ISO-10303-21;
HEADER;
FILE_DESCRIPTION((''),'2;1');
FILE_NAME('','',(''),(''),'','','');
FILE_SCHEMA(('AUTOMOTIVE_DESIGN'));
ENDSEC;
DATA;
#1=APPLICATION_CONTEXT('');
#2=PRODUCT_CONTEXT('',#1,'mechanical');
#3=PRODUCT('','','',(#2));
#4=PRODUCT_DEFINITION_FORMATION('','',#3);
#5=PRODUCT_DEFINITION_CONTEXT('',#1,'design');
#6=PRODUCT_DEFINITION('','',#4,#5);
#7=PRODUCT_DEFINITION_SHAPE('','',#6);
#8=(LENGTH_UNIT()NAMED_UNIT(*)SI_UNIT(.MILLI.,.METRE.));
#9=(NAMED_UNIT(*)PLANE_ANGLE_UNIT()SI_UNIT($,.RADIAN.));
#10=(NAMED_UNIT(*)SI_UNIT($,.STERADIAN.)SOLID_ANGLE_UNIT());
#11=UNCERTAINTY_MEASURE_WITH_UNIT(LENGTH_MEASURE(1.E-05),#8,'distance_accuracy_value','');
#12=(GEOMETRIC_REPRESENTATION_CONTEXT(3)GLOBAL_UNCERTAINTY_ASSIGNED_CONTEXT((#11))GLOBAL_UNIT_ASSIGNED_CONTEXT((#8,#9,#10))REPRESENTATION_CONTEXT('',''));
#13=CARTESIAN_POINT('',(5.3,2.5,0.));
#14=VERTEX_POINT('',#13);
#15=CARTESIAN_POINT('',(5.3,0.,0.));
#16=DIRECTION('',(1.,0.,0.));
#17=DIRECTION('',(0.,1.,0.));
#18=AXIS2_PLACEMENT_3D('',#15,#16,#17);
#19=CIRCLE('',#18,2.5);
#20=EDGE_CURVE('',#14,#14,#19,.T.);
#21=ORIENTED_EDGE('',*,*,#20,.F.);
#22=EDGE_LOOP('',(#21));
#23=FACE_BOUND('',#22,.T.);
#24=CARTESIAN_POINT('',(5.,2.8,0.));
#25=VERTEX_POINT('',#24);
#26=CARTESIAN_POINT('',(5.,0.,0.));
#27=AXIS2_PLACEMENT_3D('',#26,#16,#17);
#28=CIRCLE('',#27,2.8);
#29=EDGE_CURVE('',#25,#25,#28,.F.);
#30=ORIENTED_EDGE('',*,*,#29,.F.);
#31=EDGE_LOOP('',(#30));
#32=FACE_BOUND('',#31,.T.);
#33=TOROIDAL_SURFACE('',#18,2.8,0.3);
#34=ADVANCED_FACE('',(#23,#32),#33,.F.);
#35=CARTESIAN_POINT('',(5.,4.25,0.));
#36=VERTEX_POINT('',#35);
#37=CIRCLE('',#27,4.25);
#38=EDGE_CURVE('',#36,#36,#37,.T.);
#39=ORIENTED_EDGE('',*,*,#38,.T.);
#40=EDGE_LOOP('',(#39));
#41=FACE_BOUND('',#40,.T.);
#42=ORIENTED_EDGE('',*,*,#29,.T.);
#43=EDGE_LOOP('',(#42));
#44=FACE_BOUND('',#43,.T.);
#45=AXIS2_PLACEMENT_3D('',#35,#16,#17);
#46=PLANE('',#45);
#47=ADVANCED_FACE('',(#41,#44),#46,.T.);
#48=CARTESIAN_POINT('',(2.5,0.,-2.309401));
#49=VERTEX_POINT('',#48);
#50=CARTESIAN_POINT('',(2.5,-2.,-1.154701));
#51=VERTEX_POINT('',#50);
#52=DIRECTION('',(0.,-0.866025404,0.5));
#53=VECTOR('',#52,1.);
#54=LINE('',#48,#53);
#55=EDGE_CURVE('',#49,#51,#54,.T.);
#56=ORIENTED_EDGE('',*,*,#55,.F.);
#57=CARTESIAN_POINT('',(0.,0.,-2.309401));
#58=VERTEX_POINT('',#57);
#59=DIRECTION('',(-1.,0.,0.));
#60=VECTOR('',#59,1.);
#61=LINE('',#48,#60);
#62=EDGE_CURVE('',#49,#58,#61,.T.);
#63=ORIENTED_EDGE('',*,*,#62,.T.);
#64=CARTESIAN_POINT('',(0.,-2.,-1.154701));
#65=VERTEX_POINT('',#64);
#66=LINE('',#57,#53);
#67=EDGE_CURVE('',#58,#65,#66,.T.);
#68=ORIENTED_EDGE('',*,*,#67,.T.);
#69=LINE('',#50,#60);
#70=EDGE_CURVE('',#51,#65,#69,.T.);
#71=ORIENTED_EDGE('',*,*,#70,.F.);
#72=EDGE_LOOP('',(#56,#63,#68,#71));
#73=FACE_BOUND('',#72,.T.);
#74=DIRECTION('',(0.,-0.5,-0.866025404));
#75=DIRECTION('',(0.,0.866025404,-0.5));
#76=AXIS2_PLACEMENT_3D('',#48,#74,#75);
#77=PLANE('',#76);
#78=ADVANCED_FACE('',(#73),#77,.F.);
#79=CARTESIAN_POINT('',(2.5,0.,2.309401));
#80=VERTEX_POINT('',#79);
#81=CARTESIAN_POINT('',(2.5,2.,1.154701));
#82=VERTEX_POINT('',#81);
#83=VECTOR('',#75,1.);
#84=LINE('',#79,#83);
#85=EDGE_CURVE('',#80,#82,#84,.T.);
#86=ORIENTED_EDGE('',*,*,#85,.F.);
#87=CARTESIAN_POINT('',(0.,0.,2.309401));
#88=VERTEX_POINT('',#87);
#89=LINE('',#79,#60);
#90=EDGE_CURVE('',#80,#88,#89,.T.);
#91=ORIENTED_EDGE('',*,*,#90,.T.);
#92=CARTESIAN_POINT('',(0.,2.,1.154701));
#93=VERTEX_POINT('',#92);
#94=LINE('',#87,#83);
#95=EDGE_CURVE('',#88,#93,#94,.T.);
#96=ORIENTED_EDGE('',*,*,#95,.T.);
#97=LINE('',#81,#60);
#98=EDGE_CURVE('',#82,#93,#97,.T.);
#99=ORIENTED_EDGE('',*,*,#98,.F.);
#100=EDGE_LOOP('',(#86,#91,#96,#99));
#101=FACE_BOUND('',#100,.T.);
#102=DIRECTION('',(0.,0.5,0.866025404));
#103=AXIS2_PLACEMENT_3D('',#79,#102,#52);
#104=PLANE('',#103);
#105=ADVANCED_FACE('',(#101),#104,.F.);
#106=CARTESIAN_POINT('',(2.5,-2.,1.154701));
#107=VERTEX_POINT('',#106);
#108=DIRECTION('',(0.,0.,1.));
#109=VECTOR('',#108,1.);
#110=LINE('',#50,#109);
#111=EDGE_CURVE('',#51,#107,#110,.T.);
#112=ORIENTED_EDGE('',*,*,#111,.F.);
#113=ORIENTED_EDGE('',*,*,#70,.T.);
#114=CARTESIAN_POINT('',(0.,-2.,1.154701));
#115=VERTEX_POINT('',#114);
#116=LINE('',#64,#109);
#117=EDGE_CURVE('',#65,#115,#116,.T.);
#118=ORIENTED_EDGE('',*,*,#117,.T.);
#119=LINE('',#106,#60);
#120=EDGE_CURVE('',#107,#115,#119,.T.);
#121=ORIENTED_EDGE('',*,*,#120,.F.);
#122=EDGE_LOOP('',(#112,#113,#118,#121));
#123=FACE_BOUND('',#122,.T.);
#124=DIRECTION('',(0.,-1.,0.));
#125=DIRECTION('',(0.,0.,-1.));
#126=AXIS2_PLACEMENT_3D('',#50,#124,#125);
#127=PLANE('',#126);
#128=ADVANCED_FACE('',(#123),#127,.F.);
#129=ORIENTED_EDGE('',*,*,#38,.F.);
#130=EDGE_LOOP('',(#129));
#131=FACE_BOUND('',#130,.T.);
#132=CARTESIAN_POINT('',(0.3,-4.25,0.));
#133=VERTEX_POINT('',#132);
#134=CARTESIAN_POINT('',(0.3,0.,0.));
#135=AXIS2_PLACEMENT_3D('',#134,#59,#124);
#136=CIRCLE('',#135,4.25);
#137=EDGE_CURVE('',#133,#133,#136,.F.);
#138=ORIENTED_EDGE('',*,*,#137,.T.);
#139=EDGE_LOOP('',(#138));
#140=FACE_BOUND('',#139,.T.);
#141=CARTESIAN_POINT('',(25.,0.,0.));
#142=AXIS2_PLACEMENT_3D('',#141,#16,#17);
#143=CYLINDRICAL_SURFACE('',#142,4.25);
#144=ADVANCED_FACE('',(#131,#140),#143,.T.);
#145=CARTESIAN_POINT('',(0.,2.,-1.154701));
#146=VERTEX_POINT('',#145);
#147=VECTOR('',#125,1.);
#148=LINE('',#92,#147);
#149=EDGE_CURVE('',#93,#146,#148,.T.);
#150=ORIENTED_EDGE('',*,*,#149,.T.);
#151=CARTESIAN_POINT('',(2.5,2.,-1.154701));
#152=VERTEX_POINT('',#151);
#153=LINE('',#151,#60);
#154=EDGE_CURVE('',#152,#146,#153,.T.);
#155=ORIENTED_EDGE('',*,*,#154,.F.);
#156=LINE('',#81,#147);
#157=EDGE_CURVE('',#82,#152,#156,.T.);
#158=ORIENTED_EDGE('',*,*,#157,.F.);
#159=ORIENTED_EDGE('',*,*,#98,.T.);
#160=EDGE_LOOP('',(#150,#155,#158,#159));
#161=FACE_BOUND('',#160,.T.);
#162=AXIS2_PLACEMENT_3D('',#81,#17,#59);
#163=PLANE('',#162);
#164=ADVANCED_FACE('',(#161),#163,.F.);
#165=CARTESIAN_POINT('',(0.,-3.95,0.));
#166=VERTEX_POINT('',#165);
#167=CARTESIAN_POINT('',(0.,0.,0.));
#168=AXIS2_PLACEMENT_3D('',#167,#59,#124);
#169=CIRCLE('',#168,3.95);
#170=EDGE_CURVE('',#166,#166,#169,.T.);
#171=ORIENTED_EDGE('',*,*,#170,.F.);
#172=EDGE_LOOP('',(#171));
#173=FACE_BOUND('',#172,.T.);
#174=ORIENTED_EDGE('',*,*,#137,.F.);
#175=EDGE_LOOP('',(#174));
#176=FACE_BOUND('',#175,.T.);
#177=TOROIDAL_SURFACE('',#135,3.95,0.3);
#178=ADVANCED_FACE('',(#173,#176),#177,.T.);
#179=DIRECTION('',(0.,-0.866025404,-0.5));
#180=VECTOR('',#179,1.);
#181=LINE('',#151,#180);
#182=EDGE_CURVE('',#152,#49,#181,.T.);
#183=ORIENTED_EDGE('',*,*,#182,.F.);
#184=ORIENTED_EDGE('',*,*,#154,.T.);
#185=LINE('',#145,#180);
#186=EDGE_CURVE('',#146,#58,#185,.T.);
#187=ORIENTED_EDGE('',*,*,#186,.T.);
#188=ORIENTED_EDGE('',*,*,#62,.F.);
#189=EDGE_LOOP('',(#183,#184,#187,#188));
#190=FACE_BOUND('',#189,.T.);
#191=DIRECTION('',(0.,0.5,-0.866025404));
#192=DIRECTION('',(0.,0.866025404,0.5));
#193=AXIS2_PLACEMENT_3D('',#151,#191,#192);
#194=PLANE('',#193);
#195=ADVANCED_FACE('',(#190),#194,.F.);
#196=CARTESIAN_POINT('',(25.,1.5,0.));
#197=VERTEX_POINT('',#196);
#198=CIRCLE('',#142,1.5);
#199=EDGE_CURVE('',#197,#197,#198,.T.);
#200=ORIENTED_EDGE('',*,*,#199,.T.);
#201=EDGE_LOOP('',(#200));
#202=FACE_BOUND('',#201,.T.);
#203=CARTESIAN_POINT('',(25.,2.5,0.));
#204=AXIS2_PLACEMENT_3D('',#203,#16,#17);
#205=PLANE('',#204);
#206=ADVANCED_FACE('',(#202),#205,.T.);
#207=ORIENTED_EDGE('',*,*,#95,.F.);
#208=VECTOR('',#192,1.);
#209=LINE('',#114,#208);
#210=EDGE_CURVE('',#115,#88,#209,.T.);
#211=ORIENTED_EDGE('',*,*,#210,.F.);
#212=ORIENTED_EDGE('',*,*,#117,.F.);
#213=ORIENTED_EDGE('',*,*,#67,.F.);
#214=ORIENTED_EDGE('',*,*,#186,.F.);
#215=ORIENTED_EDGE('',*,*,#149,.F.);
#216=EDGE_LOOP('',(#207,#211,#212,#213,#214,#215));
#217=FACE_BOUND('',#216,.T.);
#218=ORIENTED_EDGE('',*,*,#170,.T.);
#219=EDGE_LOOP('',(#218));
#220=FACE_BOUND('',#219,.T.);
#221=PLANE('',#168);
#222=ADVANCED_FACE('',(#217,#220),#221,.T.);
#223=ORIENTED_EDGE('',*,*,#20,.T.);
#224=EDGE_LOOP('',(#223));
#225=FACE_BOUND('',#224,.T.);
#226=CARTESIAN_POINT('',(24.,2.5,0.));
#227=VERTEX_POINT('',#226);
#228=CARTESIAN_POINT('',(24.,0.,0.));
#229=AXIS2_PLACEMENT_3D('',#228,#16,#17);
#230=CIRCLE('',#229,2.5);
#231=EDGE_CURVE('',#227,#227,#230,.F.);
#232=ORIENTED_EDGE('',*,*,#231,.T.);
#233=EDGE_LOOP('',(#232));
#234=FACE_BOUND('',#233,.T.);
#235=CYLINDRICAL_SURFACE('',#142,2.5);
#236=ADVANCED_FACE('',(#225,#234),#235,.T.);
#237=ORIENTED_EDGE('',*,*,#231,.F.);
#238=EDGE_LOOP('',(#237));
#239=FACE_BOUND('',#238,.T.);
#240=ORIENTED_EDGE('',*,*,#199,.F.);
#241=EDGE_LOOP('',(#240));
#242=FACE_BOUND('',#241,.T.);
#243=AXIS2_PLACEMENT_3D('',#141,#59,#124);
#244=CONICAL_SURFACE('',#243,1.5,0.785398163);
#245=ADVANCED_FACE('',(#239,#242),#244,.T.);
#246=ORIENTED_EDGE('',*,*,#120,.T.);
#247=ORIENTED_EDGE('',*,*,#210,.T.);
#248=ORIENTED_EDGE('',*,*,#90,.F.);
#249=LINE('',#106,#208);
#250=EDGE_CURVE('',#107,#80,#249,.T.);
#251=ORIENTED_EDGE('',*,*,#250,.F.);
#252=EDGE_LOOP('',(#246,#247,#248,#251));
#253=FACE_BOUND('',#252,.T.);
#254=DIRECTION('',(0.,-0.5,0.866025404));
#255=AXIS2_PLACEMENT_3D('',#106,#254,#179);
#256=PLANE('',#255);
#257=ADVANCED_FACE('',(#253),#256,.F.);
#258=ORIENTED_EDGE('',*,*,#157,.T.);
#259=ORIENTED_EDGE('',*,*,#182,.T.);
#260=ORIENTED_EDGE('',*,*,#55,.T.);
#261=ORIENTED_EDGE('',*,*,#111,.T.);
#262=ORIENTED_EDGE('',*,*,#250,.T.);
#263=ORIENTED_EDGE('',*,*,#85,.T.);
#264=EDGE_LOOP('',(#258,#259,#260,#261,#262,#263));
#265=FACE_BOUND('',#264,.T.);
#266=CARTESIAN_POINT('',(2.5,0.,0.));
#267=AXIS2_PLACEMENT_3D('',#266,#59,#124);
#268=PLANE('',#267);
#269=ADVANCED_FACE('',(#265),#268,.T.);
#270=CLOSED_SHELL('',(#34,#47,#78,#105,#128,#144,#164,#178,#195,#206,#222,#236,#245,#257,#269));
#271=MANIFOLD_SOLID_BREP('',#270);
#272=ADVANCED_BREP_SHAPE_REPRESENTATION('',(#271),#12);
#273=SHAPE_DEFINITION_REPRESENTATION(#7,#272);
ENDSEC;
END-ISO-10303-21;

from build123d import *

# Parameters (mm, degrees)
CUT_EXTRUDE_1_DEPTH = 2.5
FILLET_1_R          = 0.3
CHAMFER_1_SIZE      = 1


with BuildPart() as part:
    # Эскиз1 → Повернуть1 (revolve)
    with BuildSketch(Plane.XY):
        Polygon((0, 0), (0, 4.25), (5, 4.25), (5, 2.5), (25, 2.5), (25, 0), align=None)
    revolve(axis=Axis((25, 0, 0), (-1, 0, 0)))

    # Эскиз2 → Вырез-Вытянуть1 (cut)
    with BuildSketch(Plane.ZY):
        Polygon((-1.154700538, 2), (-2.309401077, 0), (-1.154700538, -2), (1.154700538, -2), (2.309401077, 0), (1.154700538, 2), align=None)
    extrude(amount=-CUT_EXTRUDE_1_DEPTH, mode=Mode.SUBTRACT)

    # Скругление1
    fillet_1_edges = [part.edges().sort_by_distance(p)[0] for p in [
        (5, -2.5, 0),
        (0, -4.25, 0),
    ]]
    fillet(fillet_1_edges, radius=FILLET_1_R)

    # Фаска1
    chamfer_1_edges = [part.edges().sort_by_distance(p)[0] for p in [
        (25, -2.5, 0),
    ]]
    chamfer(chamfer_1_edges, length=CHAMFER_1_SIZE)


solid = part.part
